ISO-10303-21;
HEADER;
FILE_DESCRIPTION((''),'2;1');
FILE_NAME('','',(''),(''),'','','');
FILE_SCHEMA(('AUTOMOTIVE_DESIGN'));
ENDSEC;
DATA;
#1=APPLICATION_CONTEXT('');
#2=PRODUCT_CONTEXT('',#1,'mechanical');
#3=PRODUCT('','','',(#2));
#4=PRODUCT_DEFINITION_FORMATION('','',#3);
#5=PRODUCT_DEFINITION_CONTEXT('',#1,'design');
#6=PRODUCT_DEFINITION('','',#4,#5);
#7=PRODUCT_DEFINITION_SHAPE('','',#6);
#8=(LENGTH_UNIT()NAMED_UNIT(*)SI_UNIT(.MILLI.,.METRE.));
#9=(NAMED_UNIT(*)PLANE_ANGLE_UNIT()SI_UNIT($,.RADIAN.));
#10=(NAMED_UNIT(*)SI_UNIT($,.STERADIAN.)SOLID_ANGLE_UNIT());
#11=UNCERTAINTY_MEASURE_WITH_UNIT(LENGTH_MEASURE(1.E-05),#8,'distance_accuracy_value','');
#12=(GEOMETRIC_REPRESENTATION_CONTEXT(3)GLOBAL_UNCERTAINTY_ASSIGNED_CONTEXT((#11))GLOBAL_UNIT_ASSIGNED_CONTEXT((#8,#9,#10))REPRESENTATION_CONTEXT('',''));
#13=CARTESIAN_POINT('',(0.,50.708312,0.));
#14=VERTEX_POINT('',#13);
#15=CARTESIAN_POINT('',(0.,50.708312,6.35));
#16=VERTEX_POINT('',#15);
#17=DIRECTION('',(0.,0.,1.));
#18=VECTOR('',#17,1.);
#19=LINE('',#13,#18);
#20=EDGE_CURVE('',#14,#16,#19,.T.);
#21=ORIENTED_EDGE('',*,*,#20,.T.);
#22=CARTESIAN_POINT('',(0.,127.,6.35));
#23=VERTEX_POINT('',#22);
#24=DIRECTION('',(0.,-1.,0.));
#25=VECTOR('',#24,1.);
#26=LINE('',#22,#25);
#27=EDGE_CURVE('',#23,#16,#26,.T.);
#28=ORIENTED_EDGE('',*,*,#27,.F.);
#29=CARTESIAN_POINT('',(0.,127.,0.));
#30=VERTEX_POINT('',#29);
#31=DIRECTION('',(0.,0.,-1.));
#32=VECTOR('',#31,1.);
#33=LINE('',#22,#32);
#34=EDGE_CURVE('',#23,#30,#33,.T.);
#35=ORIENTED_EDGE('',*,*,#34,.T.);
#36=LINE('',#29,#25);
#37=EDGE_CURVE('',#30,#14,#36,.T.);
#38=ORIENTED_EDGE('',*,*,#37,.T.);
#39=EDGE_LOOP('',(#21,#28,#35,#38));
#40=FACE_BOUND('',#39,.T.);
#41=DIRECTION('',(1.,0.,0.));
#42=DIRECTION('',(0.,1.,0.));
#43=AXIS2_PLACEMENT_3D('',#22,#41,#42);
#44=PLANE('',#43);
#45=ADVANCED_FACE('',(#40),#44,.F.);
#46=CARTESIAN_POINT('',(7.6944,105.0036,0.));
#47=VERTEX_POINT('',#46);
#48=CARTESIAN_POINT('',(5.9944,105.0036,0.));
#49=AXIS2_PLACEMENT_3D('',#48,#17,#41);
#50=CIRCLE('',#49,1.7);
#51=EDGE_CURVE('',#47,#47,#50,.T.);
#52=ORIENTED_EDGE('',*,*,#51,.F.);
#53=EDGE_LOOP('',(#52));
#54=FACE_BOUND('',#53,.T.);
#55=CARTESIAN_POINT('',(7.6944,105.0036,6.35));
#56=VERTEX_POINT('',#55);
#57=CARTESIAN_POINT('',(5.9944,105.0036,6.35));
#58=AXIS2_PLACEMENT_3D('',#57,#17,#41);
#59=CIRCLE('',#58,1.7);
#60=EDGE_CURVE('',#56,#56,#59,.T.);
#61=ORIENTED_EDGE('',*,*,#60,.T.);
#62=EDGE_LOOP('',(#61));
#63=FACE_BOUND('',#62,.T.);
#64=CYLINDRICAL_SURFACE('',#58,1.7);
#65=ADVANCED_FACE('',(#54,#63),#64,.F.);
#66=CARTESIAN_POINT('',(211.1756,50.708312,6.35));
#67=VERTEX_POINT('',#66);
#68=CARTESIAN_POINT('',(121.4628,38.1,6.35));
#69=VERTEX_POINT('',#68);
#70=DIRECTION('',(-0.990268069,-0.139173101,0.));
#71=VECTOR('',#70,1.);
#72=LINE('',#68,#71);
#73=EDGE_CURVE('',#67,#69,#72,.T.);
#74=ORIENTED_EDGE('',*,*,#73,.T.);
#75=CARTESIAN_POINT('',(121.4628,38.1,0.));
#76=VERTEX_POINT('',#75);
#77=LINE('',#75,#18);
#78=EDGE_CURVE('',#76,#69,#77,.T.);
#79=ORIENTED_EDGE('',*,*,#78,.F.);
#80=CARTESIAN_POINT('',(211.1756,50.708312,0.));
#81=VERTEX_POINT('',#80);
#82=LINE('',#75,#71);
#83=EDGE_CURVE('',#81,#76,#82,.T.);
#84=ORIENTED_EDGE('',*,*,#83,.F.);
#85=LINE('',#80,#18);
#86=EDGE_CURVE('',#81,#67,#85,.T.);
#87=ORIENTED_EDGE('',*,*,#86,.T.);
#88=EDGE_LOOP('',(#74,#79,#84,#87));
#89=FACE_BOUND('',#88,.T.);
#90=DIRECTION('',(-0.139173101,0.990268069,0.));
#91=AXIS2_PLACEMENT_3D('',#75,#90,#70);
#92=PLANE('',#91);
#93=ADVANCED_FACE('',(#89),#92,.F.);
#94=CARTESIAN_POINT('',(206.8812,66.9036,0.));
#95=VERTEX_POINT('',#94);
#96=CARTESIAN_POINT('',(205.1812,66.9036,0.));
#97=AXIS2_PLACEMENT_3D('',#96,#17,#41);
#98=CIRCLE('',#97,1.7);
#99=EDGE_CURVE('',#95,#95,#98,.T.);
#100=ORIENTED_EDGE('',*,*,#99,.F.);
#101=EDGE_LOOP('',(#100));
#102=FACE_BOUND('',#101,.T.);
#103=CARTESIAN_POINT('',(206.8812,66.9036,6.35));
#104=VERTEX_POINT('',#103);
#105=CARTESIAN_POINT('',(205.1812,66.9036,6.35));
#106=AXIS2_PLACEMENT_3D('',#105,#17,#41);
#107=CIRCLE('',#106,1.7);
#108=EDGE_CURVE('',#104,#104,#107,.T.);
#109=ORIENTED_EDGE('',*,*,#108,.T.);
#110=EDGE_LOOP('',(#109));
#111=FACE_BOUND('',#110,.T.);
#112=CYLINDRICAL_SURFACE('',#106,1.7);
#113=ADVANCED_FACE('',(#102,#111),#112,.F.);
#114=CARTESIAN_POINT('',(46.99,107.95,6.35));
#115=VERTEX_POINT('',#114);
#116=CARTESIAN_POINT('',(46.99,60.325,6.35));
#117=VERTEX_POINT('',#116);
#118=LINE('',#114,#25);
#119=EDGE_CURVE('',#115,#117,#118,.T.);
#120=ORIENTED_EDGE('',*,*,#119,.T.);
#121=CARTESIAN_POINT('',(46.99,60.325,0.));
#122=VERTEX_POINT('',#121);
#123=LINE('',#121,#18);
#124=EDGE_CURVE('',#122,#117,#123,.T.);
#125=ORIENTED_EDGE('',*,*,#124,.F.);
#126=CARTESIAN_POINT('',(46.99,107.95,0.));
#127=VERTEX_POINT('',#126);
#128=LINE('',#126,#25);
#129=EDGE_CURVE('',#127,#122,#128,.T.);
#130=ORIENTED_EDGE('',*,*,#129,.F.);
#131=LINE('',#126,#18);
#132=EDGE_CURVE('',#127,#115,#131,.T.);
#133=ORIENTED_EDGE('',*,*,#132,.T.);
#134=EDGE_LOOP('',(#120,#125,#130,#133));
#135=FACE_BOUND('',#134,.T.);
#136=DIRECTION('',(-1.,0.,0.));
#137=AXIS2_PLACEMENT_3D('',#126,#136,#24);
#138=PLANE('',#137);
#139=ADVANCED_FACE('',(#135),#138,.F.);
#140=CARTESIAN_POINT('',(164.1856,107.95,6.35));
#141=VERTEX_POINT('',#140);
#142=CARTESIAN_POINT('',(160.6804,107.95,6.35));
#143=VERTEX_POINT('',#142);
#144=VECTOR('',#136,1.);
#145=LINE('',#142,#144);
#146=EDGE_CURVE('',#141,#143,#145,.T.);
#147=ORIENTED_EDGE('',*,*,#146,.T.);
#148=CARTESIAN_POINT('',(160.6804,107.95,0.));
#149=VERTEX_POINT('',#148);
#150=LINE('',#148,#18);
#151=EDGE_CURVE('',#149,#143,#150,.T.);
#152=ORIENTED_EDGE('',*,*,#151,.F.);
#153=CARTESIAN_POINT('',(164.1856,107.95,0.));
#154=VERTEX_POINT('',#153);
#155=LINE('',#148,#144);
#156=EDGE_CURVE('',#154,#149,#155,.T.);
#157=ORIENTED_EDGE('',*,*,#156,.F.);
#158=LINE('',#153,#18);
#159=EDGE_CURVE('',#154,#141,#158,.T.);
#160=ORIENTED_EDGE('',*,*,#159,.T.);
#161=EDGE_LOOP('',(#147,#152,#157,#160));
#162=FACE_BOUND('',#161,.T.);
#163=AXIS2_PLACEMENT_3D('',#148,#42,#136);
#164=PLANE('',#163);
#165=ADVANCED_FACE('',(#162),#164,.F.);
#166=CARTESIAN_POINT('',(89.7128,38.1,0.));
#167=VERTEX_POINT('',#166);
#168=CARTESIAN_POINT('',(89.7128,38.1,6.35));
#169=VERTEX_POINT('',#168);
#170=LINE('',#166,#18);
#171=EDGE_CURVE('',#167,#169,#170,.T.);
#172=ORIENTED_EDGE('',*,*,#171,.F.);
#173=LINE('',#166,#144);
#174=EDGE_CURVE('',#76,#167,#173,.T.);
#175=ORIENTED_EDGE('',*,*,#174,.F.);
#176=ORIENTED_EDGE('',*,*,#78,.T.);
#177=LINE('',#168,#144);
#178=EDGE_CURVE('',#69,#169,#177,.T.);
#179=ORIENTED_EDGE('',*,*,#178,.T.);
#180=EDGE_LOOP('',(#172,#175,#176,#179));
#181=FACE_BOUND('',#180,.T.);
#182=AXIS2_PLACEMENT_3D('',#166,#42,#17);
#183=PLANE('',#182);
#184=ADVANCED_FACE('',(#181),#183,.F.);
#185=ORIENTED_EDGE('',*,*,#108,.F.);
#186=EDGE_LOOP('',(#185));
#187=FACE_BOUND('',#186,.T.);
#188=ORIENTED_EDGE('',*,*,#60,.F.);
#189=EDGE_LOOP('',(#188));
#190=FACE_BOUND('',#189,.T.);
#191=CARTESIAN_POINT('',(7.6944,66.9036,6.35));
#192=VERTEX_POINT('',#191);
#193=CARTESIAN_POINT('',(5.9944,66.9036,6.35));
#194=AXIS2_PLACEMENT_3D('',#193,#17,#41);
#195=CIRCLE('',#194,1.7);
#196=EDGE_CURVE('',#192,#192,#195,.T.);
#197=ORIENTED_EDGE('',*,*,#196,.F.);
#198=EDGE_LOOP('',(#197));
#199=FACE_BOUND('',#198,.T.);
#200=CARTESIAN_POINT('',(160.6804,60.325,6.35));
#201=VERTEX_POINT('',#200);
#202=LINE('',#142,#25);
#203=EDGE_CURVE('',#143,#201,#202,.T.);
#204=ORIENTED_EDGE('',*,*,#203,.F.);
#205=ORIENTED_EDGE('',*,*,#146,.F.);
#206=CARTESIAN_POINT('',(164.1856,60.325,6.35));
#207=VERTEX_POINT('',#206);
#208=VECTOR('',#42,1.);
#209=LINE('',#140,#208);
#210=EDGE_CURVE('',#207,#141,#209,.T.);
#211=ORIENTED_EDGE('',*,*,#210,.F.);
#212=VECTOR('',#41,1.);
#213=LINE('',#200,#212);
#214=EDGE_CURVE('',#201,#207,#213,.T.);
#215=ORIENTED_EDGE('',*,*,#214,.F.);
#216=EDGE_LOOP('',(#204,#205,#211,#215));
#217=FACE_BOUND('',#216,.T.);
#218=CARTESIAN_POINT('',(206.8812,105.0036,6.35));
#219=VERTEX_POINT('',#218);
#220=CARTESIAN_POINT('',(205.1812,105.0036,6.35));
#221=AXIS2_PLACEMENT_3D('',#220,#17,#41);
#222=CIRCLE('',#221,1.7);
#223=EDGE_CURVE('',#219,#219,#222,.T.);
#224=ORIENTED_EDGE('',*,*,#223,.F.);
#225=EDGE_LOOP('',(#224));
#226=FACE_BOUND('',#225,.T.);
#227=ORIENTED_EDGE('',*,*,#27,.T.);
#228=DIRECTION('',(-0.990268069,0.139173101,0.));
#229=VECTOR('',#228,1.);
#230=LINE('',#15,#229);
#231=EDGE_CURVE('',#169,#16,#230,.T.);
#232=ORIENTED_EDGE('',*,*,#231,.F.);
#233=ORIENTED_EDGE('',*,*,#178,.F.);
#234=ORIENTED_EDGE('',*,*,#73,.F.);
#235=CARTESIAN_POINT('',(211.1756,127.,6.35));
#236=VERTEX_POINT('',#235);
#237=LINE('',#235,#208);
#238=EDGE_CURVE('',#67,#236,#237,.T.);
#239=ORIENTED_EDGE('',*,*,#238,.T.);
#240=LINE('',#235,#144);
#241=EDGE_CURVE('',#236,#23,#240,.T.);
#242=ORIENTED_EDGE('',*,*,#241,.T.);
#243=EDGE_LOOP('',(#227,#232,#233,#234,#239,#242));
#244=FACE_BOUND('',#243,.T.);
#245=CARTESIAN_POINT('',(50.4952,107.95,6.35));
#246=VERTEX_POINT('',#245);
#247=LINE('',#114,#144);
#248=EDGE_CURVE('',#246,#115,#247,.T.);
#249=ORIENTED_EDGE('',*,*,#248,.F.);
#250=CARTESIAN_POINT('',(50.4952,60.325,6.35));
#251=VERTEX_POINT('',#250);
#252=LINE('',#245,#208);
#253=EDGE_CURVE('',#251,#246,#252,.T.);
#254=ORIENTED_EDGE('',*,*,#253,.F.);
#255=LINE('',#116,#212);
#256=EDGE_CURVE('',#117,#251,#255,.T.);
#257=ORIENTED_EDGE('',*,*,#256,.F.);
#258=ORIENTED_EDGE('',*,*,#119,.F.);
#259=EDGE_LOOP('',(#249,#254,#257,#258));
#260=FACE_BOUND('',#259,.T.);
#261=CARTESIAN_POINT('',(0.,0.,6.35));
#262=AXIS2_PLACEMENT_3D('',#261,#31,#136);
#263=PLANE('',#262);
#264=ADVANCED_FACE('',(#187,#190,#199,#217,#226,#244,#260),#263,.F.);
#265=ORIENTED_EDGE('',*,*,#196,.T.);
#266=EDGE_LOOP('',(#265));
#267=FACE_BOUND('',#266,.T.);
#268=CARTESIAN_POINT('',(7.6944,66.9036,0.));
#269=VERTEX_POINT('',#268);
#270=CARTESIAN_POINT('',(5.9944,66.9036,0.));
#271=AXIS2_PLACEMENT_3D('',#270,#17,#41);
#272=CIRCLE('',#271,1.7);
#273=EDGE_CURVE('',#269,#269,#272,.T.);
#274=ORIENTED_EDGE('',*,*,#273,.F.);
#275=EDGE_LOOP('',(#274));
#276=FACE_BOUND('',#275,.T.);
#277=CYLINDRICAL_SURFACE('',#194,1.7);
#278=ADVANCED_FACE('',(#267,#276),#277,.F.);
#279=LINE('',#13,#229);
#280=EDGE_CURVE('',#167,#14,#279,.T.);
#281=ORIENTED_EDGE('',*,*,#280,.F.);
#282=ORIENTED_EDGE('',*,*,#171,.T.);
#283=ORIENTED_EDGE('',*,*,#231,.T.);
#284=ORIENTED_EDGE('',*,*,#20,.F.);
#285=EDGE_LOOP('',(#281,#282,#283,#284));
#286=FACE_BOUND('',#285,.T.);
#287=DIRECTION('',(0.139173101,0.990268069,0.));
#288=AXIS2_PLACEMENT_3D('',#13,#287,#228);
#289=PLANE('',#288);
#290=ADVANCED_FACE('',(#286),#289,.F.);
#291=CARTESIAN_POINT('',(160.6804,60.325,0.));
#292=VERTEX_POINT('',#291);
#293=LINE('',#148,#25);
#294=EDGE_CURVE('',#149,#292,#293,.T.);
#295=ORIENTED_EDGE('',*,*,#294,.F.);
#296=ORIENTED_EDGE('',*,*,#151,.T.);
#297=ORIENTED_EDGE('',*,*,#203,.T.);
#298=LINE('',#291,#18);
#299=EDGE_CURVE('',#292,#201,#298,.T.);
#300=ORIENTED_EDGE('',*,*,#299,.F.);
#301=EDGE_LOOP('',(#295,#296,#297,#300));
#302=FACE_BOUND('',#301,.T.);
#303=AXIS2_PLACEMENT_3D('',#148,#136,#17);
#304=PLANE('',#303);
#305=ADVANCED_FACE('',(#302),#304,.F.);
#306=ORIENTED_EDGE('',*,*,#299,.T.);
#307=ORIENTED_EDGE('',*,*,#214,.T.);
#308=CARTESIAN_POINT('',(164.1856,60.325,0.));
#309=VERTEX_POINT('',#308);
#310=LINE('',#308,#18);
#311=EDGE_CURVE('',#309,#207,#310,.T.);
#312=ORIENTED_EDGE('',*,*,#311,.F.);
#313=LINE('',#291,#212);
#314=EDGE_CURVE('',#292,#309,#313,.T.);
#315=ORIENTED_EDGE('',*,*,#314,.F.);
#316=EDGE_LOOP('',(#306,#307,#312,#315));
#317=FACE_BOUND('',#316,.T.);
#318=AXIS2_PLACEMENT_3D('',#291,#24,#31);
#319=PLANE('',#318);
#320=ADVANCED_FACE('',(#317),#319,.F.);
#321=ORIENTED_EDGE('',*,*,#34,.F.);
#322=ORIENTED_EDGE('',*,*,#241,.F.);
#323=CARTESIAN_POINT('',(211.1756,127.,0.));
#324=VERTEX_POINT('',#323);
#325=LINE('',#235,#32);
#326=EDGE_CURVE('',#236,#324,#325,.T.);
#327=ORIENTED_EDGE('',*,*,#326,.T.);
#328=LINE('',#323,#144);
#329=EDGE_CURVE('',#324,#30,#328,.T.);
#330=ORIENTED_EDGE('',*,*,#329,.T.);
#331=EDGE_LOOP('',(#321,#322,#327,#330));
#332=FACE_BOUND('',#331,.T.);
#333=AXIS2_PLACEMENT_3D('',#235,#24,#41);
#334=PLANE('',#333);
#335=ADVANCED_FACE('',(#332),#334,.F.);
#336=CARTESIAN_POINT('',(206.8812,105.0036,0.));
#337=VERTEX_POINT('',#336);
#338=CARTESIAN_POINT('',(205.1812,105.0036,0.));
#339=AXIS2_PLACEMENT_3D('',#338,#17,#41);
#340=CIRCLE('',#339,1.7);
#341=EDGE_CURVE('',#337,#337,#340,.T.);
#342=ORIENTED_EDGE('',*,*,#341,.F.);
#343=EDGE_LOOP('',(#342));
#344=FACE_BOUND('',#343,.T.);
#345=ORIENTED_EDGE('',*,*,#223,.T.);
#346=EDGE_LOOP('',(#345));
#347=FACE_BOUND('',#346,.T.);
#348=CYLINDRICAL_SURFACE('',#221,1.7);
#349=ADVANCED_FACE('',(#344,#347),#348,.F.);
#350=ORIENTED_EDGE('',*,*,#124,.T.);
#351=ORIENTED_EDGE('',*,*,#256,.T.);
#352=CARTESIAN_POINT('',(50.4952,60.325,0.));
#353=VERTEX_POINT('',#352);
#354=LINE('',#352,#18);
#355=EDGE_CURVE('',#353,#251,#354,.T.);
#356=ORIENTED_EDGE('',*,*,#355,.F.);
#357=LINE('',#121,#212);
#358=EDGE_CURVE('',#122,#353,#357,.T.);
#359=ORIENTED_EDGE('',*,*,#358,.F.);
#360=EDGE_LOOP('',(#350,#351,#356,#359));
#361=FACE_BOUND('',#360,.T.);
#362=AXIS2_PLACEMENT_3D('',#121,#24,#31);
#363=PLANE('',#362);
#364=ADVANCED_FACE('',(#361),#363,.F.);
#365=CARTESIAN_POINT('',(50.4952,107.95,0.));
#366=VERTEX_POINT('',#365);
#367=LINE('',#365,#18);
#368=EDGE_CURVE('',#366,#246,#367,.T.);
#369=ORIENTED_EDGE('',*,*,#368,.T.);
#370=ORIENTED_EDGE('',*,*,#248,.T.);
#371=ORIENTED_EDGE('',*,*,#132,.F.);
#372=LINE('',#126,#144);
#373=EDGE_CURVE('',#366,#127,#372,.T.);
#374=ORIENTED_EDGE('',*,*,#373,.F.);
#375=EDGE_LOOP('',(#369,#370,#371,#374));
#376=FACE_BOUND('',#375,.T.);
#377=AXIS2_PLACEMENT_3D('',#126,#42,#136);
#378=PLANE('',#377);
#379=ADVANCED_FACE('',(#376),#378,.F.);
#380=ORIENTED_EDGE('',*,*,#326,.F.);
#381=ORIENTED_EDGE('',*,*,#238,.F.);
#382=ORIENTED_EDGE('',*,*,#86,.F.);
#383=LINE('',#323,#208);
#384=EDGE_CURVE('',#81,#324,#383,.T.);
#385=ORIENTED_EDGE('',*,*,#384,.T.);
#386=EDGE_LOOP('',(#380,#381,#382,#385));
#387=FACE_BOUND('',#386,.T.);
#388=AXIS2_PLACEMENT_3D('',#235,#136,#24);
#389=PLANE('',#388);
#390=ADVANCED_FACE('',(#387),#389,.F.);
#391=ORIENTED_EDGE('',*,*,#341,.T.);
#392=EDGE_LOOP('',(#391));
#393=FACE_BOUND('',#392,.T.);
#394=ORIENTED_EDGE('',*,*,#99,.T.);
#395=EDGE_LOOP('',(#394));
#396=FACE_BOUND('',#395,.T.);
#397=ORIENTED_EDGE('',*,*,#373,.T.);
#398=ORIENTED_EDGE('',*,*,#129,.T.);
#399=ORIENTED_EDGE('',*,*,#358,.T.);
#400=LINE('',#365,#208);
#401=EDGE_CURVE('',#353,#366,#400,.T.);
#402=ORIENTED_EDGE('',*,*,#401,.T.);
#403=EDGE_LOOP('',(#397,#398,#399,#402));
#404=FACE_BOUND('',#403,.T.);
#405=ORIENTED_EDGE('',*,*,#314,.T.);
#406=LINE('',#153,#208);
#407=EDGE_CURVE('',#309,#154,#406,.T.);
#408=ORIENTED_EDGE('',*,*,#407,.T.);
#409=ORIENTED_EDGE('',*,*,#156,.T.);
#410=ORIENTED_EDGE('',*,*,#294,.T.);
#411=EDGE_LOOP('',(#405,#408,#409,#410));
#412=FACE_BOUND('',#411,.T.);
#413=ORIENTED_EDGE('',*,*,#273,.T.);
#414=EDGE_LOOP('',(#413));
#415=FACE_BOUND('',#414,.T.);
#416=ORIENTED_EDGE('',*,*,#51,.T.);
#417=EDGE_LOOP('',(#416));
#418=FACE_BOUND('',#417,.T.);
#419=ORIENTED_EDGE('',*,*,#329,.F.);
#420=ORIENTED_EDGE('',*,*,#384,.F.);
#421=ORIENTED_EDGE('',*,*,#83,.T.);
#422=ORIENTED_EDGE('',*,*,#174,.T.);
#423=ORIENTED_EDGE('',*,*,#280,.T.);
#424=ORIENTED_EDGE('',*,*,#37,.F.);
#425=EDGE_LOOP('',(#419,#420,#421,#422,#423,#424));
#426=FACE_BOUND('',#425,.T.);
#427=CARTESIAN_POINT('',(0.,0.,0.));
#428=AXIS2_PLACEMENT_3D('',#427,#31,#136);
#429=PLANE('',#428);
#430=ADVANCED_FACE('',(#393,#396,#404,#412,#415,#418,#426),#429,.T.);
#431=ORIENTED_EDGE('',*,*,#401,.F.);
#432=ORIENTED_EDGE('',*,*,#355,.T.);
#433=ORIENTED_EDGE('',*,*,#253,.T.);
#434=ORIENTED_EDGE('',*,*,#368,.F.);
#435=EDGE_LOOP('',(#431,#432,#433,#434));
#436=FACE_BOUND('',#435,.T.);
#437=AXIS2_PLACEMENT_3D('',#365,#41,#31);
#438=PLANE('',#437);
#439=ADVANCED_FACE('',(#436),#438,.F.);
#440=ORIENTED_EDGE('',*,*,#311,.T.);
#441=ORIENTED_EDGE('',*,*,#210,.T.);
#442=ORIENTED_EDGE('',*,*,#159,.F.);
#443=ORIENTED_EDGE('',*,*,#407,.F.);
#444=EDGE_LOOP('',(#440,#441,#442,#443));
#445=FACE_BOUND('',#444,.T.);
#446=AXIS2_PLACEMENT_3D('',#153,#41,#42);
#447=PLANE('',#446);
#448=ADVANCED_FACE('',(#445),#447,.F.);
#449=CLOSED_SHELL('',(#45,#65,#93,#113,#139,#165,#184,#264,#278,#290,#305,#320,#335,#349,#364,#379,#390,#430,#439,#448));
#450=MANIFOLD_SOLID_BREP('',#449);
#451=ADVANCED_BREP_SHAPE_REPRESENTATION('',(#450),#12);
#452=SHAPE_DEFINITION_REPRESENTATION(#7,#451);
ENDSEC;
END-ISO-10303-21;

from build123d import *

# Parameters (mm, degrees)
SKETCH1_W            = 211.1756
SKETCH1_H            = 127
BOSS_EXTRUDE1_DEPTH  = 6.35
M3_CLEARANCE_HOLE1_D = 3.4
SKETCH4_W            = 3.5052
SKETCH4_H            = 47.625
CUT_EXTRUDE1_DEPTH   = 247.50447569
CUT_EXTRUDE2_DEPTH   = 247.50447569


with BuildPart() as part:
    # Sketch1 → Boss-Extrude1 (new body)
    with BuildSketch(Plane.XY):
        with Locations((105.5878, 63.5)):
            Rectangle(SKETCH1_W, SKETCH1_H)
    extrude(amount=BOSS_EXTRUDE1_DEPTH)

    # M3 Clearance Hole1 (through all)
    with Locations(Plane.XY.offset(6.35)):
        with Locations((5.9944, 105.0036), (5.9944, 66.9036), (205.1812, 66.9036), (205.1812, 105.0036)):
            Hole(M3_CLEARANCE_HOLE1_D / 2)

    # Sketch4 → Cut-Extrude1 (cut, through all)
    with BuildSketch(Plane.XY.offset(6.35)):
        with Locations((48.7426, 84.1375)):
            Rectangle(SKETCH4_W, SKETCH4_H)
        with Locations((162.433, 84.1375)):
            Rectangle(SKETCH4_W, SKETCH4_H)
    extrude(amount=-CUT_EXTRUDE1_DEPTH, mode=Mode.SUBTRACT)

    # Sketch5 → Cut-Extrude2 (cut, through all)
    with BuildSketch(Plane.XY.offset(6.35)):
        Polygon((0, 50.708311795), (89.7128, 38.1), (121.4628, 38.1), (211.1756, 50.708311795), (211.1756, 0), (0, 0), align=None)
    extrude(amount=-CUT_EXTRUDE2_DEPTH, mode=Mode.SUBTRACT)


solid = part.part
